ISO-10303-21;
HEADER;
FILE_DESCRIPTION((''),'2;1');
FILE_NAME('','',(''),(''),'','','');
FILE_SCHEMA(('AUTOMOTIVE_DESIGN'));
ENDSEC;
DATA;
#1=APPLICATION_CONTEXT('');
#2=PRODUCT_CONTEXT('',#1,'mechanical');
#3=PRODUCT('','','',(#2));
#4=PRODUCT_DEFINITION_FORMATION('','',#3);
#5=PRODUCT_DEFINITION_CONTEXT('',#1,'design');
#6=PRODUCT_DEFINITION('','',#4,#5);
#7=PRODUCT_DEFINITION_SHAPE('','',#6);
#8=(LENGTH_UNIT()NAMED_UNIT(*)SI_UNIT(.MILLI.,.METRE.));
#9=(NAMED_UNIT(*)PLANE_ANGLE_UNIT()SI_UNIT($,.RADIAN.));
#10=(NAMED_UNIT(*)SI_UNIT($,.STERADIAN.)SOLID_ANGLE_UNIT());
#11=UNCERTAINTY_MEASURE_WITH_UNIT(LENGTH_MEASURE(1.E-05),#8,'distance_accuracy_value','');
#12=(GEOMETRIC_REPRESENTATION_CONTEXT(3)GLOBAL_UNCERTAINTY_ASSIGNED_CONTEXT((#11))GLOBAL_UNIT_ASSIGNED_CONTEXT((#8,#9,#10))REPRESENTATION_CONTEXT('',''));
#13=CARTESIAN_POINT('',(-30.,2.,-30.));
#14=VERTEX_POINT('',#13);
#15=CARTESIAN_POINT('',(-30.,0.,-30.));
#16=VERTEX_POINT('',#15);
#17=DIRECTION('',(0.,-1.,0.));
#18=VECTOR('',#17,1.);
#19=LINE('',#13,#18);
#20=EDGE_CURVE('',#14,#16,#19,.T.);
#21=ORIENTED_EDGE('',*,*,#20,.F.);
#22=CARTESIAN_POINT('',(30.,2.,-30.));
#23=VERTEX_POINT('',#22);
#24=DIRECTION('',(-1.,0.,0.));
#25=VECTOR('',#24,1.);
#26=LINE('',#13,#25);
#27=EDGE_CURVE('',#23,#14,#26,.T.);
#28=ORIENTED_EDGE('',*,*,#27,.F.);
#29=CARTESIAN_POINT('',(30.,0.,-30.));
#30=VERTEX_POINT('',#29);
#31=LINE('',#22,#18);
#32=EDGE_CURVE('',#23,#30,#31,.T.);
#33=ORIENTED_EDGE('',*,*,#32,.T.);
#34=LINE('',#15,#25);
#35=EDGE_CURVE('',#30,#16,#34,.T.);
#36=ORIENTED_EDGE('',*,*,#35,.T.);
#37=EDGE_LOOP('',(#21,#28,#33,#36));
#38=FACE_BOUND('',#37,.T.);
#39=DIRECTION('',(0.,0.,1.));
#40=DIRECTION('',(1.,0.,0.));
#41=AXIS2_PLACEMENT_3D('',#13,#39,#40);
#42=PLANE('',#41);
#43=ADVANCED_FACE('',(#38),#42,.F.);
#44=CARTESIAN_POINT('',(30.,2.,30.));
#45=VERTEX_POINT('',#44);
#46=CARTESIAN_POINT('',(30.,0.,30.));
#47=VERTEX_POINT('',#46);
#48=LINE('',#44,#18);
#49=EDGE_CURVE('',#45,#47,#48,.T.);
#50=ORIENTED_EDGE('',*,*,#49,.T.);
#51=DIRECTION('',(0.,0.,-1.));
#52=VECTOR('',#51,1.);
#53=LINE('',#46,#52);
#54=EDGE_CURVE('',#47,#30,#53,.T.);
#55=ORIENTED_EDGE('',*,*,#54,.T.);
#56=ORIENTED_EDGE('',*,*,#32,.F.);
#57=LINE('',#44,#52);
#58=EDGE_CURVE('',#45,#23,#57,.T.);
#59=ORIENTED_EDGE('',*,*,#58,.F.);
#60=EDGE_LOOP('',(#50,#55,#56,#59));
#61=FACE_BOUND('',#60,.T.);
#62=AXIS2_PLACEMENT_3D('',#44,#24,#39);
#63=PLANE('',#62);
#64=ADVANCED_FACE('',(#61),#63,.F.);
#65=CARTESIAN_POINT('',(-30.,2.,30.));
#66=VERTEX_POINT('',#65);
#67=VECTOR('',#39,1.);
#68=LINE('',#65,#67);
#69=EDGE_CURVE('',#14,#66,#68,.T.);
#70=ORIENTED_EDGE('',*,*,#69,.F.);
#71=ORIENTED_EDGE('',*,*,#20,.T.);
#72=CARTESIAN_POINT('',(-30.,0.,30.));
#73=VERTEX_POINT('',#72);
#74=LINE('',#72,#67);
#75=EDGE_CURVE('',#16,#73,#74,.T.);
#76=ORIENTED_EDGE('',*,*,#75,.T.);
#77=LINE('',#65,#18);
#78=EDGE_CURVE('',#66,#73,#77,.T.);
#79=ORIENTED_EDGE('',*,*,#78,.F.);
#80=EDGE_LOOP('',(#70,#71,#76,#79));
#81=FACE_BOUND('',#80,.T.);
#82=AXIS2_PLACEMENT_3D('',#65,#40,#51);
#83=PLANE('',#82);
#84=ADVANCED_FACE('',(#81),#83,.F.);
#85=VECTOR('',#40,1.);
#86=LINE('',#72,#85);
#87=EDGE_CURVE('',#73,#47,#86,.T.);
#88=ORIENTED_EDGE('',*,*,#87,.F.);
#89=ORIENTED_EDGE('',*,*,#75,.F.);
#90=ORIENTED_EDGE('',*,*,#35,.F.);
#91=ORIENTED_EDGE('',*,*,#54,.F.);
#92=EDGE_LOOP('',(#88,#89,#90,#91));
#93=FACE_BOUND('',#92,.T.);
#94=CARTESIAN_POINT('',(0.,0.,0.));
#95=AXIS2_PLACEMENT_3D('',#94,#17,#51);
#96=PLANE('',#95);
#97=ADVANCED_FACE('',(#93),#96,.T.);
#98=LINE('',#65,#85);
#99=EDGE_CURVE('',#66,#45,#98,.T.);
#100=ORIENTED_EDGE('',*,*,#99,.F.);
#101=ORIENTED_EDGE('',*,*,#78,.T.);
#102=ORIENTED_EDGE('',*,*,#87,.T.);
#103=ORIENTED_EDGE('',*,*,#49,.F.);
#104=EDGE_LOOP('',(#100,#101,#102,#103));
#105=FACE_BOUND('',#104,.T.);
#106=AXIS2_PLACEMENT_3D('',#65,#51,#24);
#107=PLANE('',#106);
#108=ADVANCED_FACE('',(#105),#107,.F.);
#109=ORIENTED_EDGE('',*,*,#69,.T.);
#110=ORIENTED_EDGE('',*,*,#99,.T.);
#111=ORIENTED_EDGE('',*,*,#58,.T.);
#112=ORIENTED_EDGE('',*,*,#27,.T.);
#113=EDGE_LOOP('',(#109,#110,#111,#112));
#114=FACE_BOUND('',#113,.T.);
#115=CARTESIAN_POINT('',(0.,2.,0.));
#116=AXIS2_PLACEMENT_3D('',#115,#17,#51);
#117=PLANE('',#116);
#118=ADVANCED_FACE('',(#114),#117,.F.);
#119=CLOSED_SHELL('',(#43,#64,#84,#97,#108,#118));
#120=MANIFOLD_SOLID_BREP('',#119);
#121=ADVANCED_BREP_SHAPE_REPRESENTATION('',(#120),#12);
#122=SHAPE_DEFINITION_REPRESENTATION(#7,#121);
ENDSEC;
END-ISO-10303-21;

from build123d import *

# Parameters (mm, degrees)
SKETCH_1_W      = 60
SKETCH_1_H      = 60
EXTRUDE_1_DEPTH = 2


with BuildPart() as part:
    # Эскиз1 → Бобышка-Вытянуть1 (new body)
    with BuildSketch(Plane(origin=(0, 0, 0), x_dir=(1, 0, 0), z_dir=(0, 1, 0))):
        Rectangle(SKETCH_1_W, SKETCH_1_H)
    extrude(amount=EXTRUDE_1_DEPTH)


solid = part.part
